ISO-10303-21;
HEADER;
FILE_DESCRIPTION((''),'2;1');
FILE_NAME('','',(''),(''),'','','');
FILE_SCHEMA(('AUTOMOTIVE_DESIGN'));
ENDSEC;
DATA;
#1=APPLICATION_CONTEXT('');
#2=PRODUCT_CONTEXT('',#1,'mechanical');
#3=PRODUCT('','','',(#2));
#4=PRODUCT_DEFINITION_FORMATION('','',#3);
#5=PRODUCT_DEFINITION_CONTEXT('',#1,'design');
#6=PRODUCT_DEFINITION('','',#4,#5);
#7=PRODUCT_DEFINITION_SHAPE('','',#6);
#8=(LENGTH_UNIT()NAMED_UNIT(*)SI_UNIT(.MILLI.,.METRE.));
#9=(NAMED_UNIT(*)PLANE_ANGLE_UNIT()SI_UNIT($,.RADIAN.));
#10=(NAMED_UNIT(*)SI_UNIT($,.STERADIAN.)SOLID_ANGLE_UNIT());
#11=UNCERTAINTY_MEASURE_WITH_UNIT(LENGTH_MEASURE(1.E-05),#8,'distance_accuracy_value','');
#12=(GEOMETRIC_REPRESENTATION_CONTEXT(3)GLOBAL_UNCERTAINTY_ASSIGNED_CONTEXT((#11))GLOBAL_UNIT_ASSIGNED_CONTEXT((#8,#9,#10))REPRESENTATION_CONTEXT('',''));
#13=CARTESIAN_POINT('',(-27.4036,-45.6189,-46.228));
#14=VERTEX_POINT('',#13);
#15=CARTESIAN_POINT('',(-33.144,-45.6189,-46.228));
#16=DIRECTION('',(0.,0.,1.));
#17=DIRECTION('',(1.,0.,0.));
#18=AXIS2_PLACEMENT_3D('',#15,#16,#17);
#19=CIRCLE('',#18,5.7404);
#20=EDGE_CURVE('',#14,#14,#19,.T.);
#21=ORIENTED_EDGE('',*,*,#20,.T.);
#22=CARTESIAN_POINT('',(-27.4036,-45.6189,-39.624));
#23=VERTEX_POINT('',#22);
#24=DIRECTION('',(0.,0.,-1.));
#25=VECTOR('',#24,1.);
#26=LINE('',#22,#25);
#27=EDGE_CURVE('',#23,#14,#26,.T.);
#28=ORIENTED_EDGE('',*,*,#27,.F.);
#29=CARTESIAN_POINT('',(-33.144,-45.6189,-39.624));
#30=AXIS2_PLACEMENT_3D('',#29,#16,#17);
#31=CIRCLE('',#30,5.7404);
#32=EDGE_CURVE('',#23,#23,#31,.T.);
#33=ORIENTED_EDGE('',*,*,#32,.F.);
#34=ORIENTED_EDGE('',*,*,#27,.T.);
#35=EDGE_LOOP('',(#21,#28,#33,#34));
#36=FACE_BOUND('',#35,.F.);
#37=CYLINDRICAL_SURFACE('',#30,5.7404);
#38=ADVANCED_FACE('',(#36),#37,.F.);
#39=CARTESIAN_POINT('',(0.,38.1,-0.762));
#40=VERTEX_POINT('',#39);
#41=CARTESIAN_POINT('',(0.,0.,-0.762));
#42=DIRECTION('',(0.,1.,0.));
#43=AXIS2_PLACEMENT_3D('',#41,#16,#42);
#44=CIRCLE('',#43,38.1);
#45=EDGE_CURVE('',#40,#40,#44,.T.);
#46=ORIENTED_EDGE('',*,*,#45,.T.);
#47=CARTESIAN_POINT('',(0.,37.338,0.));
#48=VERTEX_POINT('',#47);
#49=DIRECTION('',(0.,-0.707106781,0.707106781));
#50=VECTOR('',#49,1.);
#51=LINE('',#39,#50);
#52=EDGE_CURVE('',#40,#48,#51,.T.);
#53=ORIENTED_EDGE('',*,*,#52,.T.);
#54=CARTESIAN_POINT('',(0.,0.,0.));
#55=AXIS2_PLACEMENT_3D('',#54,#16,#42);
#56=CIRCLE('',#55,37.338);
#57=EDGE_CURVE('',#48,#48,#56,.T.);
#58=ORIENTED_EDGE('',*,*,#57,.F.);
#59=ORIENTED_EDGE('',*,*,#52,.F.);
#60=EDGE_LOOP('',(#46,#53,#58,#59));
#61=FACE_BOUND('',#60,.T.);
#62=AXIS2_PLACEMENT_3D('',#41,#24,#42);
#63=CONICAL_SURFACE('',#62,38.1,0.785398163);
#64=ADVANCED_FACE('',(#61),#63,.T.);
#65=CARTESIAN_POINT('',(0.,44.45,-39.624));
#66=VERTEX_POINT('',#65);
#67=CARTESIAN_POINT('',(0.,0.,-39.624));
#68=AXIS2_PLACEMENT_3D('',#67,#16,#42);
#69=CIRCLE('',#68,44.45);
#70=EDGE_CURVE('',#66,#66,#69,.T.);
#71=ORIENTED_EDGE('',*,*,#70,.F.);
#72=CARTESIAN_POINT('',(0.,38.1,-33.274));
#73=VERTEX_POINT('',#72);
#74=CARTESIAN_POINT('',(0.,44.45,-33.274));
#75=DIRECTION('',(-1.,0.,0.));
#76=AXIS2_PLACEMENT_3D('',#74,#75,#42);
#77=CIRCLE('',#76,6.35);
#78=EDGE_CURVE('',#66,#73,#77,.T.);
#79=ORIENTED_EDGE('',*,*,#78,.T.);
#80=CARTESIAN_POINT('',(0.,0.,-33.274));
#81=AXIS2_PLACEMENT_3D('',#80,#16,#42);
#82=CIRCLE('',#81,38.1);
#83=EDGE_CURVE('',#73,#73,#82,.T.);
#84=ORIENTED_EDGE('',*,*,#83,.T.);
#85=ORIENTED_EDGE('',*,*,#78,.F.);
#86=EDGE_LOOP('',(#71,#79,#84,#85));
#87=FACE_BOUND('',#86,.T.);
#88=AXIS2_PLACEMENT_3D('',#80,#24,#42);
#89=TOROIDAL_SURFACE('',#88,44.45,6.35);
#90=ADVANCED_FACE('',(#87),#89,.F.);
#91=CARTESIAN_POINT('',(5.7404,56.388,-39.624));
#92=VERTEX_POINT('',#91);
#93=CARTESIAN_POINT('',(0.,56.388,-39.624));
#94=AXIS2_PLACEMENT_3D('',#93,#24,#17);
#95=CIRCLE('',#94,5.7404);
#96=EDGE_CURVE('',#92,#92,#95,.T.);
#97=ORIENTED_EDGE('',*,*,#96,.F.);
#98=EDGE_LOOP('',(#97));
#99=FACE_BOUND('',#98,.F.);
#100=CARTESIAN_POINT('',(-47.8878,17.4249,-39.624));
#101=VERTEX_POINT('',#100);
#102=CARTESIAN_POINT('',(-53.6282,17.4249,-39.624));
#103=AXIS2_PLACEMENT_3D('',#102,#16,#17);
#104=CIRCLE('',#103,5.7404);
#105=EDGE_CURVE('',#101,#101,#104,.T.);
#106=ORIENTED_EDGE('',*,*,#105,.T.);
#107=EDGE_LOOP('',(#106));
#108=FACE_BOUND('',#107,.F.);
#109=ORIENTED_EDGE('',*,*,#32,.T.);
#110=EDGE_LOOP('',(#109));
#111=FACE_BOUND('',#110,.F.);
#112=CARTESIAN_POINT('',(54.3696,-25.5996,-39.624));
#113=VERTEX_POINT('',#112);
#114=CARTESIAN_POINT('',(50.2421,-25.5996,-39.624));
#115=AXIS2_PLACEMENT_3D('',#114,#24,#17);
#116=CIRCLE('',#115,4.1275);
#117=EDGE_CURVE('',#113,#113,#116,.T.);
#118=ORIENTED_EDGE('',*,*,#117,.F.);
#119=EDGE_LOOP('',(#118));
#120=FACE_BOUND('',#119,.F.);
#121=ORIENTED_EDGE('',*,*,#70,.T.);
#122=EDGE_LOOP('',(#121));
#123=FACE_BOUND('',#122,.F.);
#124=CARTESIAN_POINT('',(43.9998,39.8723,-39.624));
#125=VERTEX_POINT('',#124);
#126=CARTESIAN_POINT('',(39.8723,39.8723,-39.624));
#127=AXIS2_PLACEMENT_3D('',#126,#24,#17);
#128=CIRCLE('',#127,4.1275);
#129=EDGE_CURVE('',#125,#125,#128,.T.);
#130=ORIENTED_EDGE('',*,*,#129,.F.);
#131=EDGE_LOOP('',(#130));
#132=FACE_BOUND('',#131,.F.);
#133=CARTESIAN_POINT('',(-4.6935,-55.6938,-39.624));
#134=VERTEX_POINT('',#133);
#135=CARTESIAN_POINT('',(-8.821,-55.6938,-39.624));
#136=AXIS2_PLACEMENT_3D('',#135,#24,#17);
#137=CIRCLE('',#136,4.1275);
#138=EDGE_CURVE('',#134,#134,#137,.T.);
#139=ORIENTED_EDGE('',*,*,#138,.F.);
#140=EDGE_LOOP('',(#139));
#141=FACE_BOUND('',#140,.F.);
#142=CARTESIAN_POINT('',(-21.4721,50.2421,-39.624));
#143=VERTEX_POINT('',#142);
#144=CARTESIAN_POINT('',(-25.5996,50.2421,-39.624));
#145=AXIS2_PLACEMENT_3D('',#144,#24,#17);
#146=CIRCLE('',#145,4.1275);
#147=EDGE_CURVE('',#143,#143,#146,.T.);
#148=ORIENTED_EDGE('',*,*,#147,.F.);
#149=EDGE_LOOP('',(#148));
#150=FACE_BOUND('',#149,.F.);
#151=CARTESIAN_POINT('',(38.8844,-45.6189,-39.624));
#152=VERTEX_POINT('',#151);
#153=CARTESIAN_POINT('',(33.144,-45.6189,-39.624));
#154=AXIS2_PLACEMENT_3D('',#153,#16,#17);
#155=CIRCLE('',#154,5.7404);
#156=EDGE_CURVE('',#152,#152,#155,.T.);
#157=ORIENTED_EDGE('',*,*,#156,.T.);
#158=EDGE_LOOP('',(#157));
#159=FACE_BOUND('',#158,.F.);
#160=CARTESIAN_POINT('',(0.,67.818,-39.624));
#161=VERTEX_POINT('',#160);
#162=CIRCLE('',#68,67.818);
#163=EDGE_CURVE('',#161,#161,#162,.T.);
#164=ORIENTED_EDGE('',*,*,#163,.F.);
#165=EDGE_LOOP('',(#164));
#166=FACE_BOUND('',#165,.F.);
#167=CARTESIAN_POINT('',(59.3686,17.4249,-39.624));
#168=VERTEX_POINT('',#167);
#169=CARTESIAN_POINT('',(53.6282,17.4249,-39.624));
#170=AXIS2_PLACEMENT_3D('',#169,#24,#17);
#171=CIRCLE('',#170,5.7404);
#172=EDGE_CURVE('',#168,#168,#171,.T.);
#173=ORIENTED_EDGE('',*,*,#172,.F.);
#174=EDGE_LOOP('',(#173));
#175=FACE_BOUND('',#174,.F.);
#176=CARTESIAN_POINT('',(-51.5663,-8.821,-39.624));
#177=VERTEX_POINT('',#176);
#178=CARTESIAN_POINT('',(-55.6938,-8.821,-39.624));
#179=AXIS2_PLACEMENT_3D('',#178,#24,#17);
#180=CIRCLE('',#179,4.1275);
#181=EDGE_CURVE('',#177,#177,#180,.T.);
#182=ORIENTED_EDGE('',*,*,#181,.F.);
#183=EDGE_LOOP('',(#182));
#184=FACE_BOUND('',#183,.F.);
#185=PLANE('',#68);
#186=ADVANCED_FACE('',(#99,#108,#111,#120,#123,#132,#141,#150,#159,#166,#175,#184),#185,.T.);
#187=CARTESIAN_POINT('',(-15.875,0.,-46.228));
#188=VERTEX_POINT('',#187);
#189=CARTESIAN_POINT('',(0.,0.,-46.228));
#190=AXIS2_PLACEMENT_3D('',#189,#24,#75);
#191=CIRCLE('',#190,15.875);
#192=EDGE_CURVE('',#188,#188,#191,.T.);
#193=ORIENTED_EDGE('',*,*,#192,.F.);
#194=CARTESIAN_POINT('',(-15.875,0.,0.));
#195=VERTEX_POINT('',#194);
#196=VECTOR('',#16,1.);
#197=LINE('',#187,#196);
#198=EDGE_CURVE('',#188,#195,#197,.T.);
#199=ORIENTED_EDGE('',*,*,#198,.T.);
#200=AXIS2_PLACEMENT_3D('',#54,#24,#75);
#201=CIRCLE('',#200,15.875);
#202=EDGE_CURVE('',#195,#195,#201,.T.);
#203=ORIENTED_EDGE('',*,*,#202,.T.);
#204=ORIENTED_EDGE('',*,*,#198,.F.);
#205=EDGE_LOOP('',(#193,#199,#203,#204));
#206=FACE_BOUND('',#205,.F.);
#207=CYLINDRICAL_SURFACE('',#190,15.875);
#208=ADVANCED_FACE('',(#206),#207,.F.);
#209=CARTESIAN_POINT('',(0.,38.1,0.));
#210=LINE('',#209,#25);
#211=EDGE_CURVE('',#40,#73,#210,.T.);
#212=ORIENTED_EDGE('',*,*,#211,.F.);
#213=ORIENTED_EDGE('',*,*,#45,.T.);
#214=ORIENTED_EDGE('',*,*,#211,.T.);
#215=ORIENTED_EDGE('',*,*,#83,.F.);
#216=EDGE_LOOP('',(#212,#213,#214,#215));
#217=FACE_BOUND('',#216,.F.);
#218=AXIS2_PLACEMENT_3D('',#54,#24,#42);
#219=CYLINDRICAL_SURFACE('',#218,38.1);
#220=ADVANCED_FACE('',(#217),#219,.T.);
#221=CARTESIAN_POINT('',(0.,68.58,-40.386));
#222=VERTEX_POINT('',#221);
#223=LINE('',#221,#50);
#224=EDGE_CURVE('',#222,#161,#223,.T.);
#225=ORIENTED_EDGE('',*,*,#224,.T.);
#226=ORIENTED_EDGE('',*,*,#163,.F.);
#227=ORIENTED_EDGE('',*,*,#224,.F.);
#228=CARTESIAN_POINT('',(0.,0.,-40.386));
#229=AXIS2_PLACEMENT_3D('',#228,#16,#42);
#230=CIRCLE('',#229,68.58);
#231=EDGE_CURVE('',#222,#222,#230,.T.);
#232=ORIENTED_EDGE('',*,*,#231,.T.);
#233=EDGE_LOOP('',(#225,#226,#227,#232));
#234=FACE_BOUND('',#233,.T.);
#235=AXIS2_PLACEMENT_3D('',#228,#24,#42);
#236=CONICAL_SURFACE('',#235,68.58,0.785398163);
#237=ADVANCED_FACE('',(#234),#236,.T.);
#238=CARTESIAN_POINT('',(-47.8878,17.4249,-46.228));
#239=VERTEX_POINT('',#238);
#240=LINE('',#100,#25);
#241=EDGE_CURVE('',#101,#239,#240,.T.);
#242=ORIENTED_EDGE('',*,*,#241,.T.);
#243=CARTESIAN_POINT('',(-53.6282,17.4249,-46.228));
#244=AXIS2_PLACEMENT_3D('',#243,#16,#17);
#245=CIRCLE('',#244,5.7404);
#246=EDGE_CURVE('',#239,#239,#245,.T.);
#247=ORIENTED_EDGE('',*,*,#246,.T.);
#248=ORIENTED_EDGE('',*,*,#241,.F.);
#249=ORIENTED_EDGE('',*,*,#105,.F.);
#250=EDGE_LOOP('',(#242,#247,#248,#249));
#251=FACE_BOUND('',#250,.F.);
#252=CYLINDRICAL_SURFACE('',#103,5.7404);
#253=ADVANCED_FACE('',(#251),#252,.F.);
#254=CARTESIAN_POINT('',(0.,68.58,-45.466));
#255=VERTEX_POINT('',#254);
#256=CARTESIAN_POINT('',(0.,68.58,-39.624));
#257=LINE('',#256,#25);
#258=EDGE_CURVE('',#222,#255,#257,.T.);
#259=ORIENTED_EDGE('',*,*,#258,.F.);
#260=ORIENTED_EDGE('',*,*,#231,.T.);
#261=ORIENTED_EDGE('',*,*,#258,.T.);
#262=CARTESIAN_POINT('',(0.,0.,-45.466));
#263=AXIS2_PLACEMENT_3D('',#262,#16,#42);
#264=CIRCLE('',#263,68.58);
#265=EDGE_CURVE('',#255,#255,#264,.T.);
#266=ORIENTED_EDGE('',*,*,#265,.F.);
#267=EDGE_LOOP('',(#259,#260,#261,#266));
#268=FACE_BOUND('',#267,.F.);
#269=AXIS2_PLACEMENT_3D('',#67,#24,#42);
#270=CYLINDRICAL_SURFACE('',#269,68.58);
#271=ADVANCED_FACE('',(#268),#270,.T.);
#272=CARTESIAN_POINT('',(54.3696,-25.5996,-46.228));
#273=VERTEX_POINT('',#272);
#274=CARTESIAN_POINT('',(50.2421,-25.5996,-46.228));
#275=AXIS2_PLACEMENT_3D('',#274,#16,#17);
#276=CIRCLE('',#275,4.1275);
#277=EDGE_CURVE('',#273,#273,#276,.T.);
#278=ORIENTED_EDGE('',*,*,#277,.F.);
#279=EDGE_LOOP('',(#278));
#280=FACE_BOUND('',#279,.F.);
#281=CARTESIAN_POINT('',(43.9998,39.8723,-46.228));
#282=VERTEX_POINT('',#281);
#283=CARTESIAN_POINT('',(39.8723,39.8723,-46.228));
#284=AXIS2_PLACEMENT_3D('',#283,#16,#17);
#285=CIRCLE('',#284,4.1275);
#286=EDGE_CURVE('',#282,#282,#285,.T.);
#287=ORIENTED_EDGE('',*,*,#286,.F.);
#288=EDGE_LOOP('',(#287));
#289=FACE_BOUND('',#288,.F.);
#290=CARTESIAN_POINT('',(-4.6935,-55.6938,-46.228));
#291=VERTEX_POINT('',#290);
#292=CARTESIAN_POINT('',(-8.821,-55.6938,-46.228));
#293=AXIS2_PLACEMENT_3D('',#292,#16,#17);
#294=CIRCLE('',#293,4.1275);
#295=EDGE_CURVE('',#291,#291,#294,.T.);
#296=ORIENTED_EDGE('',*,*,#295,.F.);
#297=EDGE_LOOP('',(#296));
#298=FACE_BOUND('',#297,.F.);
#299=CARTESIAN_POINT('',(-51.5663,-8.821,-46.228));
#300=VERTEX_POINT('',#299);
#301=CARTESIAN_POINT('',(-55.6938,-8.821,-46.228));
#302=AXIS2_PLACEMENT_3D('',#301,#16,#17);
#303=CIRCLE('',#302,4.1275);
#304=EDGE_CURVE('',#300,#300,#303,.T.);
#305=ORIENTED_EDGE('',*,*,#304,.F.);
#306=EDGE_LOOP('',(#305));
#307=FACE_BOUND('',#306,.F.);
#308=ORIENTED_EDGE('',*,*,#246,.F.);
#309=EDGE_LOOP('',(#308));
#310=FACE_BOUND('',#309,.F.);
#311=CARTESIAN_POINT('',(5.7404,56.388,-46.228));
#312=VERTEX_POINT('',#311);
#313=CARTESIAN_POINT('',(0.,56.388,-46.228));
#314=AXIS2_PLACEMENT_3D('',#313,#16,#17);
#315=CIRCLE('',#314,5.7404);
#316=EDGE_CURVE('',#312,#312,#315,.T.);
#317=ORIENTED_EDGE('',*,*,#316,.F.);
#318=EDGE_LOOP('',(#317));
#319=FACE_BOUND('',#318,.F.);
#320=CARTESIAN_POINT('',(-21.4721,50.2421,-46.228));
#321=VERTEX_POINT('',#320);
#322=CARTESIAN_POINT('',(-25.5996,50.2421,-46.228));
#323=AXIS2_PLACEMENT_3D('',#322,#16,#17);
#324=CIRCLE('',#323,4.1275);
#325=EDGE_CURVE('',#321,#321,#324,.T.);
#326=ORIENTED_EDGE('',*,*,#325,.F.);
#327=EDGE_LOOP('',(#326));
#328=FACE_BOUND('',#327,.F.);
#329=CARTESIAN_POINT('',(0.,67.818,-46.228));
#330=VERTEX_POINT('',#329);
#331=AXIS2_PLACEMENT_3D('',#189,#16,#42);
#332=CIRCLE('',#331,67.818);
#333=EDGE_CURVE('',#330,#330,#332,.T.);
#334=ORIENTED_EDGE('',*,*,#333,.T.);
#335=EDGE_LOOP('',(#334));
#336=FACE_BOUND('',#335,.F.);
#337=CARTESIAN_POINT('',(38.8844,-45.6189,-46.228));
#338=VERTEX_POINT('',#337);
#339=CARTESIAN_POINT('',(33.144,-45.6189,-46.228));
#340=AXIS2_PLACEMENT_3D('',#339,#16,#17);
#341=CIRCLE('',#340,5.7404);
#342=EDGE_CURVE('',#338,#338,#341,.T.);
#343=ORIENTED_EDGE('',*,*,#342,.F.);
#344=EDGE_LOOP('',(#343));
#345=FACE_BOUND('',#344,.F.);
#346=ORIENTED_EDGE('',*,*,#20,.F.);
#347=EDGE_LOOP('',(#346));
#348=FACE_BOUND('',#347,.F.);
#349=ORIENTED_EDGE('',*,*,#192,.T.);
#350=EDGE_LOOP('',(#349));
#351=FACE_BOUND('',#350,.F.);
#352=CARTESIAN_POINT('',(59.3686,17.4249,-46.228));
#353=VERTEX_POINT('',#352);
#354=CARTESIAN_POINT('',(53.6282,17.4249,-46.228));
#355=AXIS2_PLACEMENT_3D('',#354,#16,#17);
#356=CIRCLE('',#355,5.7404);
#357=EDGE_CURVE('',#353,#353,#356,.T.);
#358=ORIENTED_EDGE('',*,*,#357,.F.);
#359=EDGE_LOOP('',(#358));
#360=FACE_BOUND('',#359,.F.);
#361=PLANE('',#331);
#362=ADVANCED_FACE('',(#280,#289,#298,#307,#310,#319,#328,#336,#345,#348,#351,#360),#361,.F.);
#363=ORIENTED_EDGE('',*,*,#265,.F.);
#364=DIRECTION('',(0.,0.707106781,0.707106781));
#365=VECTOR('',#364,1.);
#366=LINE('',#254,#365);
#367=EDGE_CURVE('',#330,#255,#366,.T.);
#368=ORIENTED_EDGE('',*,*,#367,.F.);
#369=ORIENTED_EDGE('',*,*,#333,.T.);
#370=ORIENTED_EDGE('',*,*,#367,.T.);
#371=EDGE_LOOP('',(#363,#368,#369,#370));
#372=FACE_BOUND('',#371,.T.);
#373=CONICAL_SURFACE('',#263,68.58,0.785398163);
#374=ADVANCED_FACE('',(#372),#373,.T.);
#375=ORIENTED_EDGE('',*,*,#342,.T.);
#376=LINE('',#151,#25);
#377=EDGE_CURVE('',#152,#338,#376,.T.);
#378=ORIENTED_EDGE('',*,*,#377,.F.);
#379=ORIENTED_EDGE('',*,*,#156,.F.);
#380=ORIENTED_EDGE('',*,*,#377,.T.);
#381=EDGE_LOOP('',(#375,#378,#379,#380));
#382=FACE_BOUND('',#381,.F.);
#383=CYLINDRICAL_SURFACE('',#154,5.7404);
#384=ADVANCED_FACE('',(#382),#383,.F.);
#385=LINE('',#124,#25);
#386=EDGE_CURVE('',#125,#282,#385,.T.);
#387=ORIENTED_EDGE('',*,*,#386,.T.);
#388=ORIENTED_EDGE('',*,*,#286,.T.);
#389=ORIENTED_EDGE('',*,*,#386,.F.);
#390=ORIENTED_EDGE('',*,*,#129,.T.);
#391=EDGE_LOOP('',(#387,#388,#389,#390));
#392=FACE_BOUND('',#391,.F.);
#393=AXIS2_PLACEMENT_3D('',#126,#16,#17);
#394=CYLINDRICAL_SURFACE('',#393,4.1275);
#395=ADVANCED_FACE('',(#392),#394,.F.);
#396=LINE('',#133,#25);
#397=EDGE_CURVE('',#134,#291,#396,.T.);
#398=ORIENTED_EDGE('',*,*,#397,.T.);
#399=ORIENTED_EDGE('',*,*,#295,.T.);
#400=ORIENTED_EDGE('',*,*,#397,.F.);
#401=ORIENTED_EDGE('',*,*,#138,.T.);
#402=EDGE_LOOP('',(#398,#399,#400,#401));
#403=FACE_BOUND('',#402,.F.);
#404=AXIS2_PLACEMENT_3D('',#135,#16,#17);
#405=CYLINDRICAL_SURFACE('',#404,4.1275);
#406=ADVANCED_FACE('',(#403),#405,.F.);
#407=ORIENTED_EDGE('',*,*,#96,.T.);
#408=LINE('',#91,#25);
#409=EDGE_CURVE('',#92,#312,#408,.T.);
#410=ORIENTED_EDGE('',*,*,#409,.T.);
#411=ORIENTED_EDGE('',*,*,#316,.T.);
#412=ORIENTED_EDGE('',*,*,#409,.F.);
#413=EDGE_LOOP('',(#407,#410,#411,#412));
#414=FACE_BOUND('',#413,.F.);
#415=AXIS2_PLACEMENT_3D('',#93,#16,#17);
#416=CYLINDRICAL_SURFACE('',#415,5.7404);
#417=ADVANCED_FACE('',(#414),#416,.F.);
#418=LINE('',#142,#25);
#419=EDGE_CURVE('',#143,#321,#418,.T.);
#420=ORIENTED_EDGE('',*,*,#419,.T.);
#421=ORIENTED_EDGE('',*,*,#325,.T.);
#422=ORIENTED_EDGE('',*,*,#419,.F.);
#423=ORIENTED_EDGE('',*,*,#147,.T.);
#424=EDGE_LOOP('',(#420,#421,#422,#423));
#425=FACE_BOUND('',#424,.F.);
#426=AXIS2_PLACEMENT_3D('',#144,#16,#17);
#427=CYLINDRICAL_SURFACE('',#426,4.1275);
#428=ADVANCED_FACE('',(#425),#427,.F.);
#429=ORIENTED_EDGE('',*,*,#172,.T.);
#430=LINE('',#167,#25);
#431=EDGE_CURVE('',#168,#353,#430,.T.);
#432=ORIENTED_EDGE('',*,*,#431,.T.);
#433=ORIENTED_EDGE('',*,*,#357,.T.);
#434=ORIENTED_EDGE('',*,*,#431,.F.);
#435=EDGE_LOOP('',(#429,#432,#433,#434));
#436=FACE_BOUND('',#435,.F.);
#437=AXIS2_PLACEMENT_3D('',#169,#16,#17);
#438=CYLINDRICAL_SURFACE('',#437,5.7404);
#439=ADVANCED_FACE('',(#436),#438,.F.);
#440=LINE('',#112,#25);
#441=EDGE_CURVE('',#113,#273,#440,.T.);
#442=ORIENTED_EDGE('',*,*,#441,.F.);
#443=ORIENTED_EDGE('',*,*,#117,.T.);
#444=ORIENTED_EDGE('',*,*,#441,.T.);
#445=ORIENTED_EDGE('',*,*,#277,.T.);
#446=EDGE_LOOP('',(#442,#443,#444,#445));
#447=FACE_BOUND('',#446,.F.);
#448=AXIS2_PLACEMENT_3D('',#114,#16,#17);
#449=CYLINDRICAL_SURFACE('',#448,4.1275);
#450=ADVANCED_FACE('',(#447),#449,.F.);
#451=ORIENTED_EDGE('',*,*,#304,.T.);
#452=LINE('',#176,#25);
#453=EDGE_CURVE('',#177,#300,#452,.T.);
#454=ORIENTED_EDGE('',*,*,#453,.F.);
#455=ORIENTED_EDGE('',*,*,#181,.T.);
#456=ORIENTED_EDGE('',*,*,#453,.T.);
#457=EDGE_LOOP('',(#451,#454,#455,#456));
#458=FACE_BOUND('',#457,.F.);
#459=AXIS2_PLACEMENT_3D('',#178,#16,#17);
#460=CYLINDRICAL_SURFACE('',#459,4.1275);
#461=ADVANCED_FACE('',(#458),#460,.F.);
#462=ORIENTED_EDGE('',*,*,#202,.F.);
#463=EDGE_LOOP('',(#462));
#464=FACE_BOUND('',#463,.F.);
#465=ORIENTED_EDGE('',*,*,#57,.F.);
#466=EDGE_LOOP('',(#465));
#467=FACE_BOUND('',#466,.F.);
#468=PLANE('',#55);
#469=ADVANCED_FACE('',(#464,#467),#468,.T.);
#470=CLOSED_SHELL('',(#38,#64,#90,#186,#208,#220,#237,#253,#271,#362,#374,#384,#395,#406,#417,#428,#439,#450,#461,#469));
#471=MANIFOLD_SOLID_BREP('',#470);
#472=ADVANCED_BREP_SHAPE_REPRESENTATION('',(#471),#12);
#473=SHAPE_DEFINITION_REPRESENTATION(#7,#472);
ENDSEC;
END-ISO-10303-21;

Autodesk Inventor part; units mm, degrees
ref_plane "YZ Plane" through (0, 0, 0) normal (1, 0, 0) x (0, 1, 0)
ref_plane "XZ Plane" through (0, 0, 0) normal (0, 1, 0) x (-1, 0, 0)
ref_plane "XY Plane" through (0, 0, 0) normal (0, 0, 1) x (1, 0, 0)
sketch "Sketch1" plane through (0, 0, 0) normal (1, 0, 0) x (0, 1, 0)
  line L0 (0, 0) -> (38.1, 0)
  line L1 (38.1, 0) -> (38.1, -39.624)
  line L2 (38.1, -39.624) -> (68.58, -39.624)
  line L3 (68.58, -39.624) -> (68.58, -46.228)
  line L4 (68.58, -46.228) -> (32.512, -46.228)
  line L5 (32.512, -46.228) -> (32.512, -51.308)
  line L6 (32.512, -51.308) -> (28.448, -51.308)
  line L7 (28.448, -51.308) -> (28.448, -64.516)
  line L8 (28.448, -64.516) -> (0, -64.516)
  line L9 (0, -64.516) -> (0, 0)
  dimension "d0" = 38.1
  dimension "d1" = 39.624
  dimension "d2" = 30.48
  dimension "d3" = 6.604
  dimension "d4" = 36.068
  dimension "d5" = 5.08
  dimension "d6" = 4.064
  dimension "d7" = 13.208
revolve "Revolution1" add sketch "Sketch1" angle 360 about axis through (0, 0, -64.516) along (0, 0, 1)
sketch "Sketch2" plane through (0, 0, -64.516) normal (0, 0, -1) x (-1, 0, 0)
  circle A0 centre (0, 0) radius 25.4
  dimension "d9" = 50.8
extrude "Extrusion1" cut sketch "Sketch2" against normal up to surface (18.288 mm away)
sketch "Sketch3" plane through (0, 0, -46.228) normal (0, 0, -1) x (-1, 0, 0)
  circle A0 centre (0, 0) radius 15.875
  dimension "d12" = 31.75
extrude "Extrusion2" cut sketch "Sketch3" against normal up to surface (46.228 mm away)
fillet "Fillet1" radius 1.905 2 edges at (0, -28.448, -51.308) (0, -32.512, -46.228)
chamfer "Chamfer1" distance 0.762 angle 45 5 edges at (0, -68.58, -46.228) (0, -68.58, -39.624) (0, -38.1, 0) (0, -32.512, -51.308) (0, -28.448, -64.516)
fillet "Fillet2" radius 6.35 1 edges at (0, -38.1, -39.624)
sketch "Sketch4" plane through (0, 0, -39.624) normal (0, 0, 1) x (1, 0, 0)
  line L0 (1.6378, 0) -> (0, 0)
  line L1 (0, 0) -> (0, 80.9396)
  circle A0 centre (0, 56.388) radius 5.7404
  circle A1 centre (0, 0) radius 68.58
  line L2 (0, 68.58) -> (-43.6157, 68.58)
  circle A2 centre (53.6282, 17.4249) radius 5.7404
  circle A3 centre (33.144, -45.6189) radius 5.7404
  circle A4 centre (-33.144, -45.6189) radius 5.7404
  circle A5 centre (-53.6282, 17.4249) radius 5.7404
  line L3 (0, 0) -> (47.9546, 47.9546)
  circle A6 centre (0, 0) radius 67.818
  line L4 (0, 0) -> (67.818, 0) construction
  circle A7 centre (0, 0) radius 44.45
  arc A8 (53.6282, 17.4249) -> (0, 56.388) centre (0, 0) ccw
  circle A9 centre (39.8723, 39.8723) radius 2.54
  dimension "d20" = 11.4808
  dimension "d21" = 12.192
  dimension "d24" = 360
  dimension "d26" = 45
  dimension "d27" = 5.08
extrude "Extrusion3" cut sketch "Sketch4" against normal up to surface (6.604 mm away) contours A2 | A0 L1 | L1 A8 A0 | A9 A8 L3 | L3 A8 A9 | L1 A0 A8 | A8 A9 L3 | L3 A9 A8 | A3 | A4 | A5
thread "Thread1"
thread "Thread2"
thread "Thread3"
thread "Thread4"
thread "Thread5"
thread "Thread6"
sketch "Sketch5" plane through (0, 0, -46.228) normal (0, 0, -1) x (-1, 0, 0)
  circle A0 centre (0, 0) radius 44.45
  point P0 (0, 0)
extrude "Extrusion4" cut sketch "Sketch5" along normal up to surface (18.288 mm away)
sketch "Sketch6" plane through (0, 0, -39.624) normal (0, 0, 1) x (1, 0, 0)
  circle A0 centre (0, 56.388) radius 5.7404
  circle A1 centre (0, 0) radius 56.388
  circle A2 centre (39.8723, 39.8723) radius 2.54
  circle A3 centre (39.8723, 39.8723) radius 4.1275
  circle A4 centre (-25.5996, 50.2421) radius 4.1275
  circle A5 centre (-55.6938, -8.821) radius 4.1275
  circle A6 centre (-8.821, -55.6938) radius 4.1275
  circle A7 centre (50.2421, -25.5996) radius 4.1275
  point P0 (0, 0)
  dimension "d44" = 8.255
  dimension "d47" = 360
extrude "Extrusion5" cut sketch "Sketch6" against normal blind 25.4 contours A4 A1 | A1 A4 | A3 A1 A2 | A1 A2 A3 | A5 A1 | A1 A5 | A7 A1 | A1 A7 | A6 A1 | A1 A6
thread "Thread7"
thread "Thread8"
thread "Thread9"
thread "Thread10"
thread "Thread11"
equation "\"d28\" = d27"
properties part number "DTR-1"
